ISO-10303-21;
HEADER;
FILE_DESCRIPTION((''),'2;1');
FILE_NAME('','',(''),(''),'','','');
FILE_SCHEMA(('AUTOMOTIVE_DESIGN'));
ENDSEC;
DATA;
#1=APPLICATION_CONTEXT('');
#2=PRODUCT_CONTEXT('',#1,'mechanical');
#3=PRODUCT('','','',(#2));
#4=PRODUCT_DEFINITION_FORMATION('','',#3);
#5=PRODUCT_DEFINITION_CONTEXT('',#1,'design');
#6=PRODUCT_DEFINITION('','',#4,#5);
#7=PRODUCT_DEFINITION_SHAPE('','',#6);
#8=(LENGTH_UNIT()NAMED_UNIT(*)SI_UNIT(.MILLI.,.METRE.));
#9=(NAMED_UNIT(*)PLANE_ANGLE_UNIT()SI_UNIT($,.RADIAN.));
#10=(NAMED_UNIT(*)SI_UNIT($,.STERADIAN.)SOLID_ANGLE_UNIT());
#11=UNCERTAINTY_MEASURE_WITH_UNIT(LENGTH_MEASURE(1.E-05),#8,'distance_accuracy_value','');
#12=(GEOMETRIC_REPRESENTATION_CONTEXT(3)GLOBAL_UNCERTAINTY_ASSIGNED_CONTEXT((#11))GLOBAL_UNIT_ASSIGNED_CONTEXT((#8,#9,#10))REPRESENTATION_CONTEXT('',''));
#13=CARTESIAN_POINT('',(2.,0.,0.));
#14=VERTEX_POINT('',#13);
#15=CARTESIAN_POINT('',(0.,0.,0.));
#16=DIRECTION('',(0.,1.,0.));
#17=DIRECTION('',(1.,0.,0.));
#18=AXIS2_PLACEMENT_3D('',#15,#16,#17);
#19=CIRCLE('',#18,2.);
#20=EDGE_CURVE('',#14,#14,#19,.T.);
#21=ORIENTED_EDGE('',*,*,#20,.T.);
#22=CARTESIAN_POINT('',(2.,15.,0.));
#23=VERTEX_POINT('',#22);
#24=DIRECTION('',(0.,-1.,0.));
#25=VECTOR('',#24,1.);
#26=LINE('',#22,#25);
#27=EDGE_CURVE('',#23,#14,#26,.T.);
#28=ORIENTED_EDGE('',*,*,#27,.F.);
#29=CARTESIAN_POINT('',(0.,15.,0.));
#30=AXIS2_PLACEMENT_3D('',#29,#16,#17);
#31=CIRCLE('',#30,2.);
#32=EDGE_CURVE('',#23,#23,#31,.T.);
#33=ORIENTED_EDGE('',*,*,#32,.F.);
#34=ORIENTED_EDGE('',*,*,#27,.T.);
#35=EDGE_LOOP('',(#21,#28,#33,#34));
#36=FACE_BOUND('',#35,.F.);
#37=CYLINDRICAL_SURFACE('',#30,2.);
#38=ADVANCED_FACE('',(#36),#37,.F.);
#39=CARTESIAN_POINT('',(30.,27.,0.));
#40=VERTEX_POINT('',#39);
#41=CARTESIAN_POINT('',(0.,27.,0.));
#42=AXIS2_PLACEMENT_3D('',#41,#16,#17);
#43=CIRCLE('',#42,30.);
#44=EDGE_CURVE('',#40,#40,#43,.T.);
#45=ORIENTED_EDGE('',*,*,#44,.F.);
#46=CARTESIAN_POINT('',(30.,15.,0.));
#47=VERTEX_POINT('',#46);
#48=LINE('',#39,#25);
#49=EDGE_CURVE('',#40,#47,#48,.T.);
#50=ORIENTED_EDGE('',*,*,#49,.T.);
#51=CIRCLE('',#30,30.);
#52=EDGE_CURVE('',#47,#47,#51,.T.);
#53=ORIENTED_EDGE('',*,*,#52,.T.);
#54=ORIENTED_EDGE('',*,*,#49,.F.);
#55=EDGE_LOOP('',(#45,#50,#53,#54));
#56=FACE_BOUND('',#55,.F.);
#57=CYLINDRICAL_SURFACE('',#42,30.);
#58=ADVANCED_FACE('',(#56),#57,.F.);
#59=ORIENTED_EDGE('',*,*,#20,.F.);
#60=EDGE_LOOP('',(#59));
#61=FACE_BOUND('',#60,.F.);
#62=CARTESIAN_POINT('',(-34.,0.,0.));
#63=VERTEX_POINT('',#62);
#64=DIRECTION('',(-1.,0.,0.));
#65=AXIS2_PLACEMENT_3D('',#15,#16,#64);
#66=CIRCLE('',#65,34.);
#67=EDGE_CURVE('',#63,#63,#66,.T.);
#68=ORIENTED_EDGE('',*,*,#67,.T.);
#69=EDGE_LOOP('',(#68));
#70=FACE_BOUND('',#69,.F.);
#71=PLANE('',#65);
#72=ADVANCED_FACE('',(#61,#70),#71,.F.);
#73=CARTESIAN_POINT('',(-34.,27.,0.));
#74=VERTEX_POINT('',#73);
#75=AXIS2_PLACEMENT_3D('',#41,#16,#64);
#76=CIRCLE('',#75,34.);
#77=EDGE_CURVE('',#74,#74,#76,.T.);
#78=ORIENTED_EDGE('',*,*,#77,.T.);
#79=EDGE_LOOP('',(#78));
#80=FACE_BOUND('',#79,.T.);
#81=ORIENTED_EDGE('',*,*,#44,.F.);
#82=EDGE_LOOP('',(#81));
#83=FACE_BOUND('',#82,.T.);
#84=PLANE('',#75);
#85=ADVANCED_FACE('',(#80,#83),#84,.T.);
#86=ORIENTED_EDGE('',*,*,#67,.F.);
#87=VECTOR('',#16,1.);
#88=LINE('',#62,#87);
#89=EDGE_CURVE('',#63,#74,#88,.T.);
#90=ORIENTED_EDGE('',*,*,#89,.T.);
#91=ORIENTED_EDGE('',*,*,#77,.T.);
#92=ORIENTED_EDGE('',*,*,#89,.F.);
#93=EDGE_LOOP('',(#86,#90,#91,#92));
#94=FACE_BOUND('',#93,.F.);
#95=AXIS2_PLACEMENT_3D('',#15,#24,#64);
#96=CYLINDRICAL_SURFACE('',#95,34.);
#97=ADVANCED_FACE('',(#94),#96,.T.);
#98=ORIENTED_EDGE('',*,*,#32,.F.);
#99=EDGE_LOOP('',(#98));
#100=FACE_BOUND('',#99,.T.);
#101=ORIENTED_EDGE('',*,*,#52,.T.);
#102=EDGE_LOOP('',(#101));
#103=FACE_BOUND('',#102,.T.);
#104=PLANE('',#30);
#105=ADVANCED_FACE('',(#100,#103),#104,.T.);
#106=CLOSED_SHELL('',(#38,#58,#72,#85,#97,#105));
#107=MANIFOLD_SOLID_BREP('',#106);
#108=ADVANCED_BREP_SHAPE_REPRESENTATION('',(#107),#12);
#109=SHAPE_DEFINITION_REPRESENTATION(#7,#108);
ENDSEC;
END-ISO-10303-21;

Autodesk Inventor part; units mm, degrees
ref_plane "YZ Plane" through (0, 0, 0) normal (1, 0, 0) x (0, 1, 0)
ref_plane "XZ Plane" through (0, 0, 0) normal (0, 1, 0) x (-1, 0, 0)
ref_plane "XY Plane" through (0, 0, 0) normal (0, 0, 1) x (1, 0, 0)
sketch "Sketch1" plane through (0, 0, 0) normal (0, 1, 0) x (-1, 0, 0)
  circle A0 centre (0, 0) radius 34
  dimension "d0" = 68
extrude "Extrusion1" add sketch "Sketch1" along normal blind 27
sketch "Sketch2" plane through (0, 27, 0) normal (0, 1, 0) x (1, 0, 0)
  circle A0 centre (0, 0) radius 30
  dimension "d3" = 60
extrude "Extrusion2" cut sketch "Sketch2" against normal blind 12
sketch "Sketch5" plane through (0, 15, 0) normal (0, 1, 0) x (1, 0, 0)
  circle A0 centre (0, 0) radius 2
  dimension "d13" = 4
extrude "Extrusion5" cut sketch "Sketch5" against normal through all
properties part number "Wheel"
